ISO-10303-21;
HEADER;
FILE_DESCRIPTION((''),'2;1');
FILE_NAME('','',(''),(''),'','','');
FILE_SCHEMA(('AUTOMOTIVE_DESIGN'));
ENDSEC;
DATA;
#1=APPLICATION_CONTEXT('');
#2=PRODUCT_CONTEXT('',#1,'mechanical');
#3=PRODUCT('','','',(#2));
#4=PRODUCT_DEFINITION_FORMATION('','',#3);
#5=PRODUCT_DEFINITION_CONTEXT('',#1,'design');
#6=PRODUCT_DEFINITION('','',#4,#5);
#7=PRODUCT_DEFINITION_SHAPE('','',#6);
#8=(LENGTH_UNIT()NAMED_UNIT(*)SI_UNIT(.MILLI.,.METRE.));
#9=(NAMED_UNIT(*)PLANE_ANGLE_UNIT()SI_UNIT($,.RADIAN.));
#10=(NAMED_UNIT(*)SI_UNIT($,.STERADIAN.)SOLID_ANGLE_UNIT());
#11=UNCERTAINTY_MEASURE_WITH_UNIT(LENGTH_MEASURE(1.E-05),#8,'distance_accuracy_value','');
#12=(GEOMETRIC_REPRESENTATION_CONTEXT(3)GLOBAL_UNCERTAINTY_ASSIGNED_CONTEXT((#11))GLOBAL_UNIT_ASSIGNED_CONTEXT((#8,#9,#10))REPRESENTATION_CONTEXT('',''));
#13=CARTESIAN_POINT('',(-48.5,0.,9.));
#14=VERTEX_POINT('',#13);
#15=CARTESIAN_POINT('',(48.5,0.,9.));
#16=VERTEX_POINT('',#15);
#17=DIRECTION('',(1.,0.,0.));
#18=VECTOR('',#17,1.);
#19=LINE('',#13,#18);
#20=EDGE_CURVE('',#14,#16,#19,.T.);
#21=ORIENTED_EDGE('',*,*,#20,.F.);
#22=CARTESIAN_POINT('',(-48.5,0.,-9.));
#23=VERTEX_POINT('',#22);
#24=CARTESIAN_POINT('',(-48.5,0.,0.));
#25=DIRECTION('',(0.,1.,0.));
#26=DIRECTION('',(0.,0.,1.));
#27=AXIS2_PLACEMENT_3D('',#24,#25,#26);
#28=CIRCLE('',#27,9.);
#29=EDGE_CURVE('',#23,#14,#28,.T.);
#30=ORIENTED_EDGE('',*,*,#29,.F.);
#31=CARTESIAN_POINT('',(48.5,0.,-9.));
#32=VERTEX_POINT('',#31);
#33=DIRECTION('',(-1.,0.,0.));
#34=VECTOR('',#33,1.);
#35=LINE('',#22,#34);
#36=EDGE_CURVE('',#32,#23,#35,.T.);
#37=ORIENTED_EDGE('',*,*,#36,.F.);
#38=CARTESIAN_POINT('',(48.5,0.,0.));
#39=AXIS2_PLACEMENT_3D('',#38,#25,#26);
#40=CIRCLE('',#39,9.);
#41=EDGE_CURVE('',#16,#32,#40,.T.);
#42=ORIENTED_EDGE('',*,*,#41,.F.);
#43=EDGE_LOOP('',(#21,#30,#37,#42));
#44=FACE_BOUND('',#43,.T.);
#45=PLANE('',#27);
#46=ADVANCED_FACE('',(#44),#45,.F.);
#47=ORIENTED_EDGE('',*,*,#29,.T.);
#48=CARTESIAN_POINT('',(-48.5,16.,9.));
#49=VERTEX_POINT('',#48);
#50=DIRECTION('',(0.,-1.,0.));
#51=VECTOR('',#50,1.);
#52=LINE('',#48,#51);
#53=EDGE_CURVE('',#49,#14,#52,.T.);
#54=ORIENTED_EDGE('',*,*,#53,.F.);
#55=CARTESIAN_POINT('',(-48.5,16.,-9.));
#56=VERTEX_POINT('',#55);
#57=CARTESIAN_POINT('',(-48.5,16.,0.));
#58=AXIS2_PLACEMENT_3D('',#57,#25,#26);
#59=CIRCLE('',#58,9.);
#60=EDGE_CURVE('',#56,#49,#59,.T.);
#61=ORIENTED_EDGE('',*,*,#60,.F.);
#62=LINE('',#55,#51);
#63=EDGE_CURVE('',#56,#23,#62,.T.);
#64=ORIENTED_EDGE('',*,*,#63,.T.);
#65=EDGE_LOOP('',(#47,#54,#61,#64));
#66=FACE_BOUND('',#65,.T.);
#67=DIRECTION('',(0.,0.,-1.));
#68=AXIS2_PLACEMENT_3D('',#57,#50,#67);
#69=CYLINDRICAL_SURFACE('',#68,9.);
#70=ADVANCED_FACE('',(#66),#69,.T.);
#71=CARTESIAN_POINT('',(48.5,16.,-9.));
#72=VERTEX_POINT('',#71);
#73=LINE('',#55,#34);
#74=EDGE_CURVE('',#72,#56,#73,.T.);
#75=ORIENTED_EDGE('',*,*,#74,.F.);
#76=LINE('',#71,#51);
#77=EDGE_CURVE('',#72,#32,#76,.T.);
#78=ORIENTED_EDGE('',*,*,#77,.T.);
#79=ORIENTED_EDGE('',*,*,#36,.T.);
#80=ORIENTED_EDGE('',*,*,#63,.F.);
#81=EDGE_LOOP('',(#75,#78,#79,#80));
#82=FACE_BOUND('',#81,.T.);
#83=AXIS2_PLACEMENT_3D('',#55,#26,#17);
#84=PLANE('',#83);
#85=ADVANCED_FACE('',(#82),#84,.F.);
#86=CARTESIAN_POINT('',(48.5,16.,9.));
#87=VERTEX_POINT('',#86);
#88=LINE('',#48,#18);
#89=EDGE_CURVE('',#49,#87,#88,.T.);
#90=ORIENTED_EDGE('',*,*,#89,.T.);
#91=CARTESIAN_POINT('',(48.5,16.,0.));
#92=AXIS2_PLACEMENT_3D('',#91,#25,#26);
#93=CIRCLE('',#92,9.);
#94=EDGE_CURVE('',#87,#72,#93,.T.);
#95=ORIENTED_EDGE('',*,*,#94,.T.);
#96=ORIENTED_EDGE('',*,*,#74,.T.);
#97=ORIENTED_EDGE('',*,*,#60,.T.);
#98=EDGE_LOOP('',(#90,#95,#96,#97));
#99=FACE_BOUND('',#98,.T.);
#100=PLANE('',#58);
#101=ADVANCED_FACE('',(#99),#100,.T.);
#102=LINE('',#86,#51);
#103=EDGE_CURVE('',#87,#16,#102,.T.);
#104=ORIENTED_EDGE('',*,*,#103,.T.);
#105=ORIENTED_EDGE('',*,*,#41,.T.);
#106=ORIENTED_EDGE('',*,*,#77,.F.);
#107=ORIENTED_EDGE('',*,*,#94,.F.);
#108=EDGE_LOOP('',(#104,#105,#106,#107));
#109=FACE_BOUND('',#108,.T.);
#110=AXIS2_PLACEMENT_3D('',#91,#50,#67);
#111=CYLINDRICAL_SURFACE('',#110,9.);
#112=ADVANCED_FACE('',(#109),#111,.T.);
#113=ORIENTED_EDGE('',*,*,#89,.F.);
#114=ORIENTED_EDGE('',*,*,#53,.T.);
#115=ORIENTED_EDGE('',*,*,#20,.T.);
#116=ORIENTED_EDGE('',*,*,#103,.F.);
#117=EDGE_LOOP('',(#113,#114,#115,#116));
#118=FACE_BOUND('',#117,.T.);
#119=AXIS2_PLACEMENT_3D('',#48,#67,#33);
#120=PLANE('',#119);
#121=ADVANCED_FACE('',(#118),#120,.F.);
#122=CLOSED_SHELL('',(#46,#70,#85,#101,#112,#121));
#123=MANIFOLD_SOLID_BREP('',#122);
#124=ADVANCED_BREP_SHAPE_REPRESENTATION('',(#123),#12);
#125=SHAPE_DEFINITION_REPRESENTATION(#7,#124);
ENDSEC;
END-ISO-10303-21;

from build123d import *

# Parameters (mm, degrees)
BOSS_EXTRUDE1_DEPTH = 16


with BuildPart() as part:
    # Sketch1 → Boss-Extrude1 (new body)
    with BuildSketch(Plane(origin=(0, 0, 0), x_dir=(1, 0, 0), z_dir=(0, 1, 0))):
        with BuildLine():
            Line((-48.5, 9), (48.5, 9))
            ThreePointArc((48.5, 9), (57.5, 0), (48.5, -9))
            Line((48.5, -9), (-48.5, -9))
            ThreePointArc((-48.5, -9), (-57.5, 0), (-48.5, 9))
        make_face()
    extrude(amount=BOSS_EXTRUDE1_DEPTH)


solid = part.part
